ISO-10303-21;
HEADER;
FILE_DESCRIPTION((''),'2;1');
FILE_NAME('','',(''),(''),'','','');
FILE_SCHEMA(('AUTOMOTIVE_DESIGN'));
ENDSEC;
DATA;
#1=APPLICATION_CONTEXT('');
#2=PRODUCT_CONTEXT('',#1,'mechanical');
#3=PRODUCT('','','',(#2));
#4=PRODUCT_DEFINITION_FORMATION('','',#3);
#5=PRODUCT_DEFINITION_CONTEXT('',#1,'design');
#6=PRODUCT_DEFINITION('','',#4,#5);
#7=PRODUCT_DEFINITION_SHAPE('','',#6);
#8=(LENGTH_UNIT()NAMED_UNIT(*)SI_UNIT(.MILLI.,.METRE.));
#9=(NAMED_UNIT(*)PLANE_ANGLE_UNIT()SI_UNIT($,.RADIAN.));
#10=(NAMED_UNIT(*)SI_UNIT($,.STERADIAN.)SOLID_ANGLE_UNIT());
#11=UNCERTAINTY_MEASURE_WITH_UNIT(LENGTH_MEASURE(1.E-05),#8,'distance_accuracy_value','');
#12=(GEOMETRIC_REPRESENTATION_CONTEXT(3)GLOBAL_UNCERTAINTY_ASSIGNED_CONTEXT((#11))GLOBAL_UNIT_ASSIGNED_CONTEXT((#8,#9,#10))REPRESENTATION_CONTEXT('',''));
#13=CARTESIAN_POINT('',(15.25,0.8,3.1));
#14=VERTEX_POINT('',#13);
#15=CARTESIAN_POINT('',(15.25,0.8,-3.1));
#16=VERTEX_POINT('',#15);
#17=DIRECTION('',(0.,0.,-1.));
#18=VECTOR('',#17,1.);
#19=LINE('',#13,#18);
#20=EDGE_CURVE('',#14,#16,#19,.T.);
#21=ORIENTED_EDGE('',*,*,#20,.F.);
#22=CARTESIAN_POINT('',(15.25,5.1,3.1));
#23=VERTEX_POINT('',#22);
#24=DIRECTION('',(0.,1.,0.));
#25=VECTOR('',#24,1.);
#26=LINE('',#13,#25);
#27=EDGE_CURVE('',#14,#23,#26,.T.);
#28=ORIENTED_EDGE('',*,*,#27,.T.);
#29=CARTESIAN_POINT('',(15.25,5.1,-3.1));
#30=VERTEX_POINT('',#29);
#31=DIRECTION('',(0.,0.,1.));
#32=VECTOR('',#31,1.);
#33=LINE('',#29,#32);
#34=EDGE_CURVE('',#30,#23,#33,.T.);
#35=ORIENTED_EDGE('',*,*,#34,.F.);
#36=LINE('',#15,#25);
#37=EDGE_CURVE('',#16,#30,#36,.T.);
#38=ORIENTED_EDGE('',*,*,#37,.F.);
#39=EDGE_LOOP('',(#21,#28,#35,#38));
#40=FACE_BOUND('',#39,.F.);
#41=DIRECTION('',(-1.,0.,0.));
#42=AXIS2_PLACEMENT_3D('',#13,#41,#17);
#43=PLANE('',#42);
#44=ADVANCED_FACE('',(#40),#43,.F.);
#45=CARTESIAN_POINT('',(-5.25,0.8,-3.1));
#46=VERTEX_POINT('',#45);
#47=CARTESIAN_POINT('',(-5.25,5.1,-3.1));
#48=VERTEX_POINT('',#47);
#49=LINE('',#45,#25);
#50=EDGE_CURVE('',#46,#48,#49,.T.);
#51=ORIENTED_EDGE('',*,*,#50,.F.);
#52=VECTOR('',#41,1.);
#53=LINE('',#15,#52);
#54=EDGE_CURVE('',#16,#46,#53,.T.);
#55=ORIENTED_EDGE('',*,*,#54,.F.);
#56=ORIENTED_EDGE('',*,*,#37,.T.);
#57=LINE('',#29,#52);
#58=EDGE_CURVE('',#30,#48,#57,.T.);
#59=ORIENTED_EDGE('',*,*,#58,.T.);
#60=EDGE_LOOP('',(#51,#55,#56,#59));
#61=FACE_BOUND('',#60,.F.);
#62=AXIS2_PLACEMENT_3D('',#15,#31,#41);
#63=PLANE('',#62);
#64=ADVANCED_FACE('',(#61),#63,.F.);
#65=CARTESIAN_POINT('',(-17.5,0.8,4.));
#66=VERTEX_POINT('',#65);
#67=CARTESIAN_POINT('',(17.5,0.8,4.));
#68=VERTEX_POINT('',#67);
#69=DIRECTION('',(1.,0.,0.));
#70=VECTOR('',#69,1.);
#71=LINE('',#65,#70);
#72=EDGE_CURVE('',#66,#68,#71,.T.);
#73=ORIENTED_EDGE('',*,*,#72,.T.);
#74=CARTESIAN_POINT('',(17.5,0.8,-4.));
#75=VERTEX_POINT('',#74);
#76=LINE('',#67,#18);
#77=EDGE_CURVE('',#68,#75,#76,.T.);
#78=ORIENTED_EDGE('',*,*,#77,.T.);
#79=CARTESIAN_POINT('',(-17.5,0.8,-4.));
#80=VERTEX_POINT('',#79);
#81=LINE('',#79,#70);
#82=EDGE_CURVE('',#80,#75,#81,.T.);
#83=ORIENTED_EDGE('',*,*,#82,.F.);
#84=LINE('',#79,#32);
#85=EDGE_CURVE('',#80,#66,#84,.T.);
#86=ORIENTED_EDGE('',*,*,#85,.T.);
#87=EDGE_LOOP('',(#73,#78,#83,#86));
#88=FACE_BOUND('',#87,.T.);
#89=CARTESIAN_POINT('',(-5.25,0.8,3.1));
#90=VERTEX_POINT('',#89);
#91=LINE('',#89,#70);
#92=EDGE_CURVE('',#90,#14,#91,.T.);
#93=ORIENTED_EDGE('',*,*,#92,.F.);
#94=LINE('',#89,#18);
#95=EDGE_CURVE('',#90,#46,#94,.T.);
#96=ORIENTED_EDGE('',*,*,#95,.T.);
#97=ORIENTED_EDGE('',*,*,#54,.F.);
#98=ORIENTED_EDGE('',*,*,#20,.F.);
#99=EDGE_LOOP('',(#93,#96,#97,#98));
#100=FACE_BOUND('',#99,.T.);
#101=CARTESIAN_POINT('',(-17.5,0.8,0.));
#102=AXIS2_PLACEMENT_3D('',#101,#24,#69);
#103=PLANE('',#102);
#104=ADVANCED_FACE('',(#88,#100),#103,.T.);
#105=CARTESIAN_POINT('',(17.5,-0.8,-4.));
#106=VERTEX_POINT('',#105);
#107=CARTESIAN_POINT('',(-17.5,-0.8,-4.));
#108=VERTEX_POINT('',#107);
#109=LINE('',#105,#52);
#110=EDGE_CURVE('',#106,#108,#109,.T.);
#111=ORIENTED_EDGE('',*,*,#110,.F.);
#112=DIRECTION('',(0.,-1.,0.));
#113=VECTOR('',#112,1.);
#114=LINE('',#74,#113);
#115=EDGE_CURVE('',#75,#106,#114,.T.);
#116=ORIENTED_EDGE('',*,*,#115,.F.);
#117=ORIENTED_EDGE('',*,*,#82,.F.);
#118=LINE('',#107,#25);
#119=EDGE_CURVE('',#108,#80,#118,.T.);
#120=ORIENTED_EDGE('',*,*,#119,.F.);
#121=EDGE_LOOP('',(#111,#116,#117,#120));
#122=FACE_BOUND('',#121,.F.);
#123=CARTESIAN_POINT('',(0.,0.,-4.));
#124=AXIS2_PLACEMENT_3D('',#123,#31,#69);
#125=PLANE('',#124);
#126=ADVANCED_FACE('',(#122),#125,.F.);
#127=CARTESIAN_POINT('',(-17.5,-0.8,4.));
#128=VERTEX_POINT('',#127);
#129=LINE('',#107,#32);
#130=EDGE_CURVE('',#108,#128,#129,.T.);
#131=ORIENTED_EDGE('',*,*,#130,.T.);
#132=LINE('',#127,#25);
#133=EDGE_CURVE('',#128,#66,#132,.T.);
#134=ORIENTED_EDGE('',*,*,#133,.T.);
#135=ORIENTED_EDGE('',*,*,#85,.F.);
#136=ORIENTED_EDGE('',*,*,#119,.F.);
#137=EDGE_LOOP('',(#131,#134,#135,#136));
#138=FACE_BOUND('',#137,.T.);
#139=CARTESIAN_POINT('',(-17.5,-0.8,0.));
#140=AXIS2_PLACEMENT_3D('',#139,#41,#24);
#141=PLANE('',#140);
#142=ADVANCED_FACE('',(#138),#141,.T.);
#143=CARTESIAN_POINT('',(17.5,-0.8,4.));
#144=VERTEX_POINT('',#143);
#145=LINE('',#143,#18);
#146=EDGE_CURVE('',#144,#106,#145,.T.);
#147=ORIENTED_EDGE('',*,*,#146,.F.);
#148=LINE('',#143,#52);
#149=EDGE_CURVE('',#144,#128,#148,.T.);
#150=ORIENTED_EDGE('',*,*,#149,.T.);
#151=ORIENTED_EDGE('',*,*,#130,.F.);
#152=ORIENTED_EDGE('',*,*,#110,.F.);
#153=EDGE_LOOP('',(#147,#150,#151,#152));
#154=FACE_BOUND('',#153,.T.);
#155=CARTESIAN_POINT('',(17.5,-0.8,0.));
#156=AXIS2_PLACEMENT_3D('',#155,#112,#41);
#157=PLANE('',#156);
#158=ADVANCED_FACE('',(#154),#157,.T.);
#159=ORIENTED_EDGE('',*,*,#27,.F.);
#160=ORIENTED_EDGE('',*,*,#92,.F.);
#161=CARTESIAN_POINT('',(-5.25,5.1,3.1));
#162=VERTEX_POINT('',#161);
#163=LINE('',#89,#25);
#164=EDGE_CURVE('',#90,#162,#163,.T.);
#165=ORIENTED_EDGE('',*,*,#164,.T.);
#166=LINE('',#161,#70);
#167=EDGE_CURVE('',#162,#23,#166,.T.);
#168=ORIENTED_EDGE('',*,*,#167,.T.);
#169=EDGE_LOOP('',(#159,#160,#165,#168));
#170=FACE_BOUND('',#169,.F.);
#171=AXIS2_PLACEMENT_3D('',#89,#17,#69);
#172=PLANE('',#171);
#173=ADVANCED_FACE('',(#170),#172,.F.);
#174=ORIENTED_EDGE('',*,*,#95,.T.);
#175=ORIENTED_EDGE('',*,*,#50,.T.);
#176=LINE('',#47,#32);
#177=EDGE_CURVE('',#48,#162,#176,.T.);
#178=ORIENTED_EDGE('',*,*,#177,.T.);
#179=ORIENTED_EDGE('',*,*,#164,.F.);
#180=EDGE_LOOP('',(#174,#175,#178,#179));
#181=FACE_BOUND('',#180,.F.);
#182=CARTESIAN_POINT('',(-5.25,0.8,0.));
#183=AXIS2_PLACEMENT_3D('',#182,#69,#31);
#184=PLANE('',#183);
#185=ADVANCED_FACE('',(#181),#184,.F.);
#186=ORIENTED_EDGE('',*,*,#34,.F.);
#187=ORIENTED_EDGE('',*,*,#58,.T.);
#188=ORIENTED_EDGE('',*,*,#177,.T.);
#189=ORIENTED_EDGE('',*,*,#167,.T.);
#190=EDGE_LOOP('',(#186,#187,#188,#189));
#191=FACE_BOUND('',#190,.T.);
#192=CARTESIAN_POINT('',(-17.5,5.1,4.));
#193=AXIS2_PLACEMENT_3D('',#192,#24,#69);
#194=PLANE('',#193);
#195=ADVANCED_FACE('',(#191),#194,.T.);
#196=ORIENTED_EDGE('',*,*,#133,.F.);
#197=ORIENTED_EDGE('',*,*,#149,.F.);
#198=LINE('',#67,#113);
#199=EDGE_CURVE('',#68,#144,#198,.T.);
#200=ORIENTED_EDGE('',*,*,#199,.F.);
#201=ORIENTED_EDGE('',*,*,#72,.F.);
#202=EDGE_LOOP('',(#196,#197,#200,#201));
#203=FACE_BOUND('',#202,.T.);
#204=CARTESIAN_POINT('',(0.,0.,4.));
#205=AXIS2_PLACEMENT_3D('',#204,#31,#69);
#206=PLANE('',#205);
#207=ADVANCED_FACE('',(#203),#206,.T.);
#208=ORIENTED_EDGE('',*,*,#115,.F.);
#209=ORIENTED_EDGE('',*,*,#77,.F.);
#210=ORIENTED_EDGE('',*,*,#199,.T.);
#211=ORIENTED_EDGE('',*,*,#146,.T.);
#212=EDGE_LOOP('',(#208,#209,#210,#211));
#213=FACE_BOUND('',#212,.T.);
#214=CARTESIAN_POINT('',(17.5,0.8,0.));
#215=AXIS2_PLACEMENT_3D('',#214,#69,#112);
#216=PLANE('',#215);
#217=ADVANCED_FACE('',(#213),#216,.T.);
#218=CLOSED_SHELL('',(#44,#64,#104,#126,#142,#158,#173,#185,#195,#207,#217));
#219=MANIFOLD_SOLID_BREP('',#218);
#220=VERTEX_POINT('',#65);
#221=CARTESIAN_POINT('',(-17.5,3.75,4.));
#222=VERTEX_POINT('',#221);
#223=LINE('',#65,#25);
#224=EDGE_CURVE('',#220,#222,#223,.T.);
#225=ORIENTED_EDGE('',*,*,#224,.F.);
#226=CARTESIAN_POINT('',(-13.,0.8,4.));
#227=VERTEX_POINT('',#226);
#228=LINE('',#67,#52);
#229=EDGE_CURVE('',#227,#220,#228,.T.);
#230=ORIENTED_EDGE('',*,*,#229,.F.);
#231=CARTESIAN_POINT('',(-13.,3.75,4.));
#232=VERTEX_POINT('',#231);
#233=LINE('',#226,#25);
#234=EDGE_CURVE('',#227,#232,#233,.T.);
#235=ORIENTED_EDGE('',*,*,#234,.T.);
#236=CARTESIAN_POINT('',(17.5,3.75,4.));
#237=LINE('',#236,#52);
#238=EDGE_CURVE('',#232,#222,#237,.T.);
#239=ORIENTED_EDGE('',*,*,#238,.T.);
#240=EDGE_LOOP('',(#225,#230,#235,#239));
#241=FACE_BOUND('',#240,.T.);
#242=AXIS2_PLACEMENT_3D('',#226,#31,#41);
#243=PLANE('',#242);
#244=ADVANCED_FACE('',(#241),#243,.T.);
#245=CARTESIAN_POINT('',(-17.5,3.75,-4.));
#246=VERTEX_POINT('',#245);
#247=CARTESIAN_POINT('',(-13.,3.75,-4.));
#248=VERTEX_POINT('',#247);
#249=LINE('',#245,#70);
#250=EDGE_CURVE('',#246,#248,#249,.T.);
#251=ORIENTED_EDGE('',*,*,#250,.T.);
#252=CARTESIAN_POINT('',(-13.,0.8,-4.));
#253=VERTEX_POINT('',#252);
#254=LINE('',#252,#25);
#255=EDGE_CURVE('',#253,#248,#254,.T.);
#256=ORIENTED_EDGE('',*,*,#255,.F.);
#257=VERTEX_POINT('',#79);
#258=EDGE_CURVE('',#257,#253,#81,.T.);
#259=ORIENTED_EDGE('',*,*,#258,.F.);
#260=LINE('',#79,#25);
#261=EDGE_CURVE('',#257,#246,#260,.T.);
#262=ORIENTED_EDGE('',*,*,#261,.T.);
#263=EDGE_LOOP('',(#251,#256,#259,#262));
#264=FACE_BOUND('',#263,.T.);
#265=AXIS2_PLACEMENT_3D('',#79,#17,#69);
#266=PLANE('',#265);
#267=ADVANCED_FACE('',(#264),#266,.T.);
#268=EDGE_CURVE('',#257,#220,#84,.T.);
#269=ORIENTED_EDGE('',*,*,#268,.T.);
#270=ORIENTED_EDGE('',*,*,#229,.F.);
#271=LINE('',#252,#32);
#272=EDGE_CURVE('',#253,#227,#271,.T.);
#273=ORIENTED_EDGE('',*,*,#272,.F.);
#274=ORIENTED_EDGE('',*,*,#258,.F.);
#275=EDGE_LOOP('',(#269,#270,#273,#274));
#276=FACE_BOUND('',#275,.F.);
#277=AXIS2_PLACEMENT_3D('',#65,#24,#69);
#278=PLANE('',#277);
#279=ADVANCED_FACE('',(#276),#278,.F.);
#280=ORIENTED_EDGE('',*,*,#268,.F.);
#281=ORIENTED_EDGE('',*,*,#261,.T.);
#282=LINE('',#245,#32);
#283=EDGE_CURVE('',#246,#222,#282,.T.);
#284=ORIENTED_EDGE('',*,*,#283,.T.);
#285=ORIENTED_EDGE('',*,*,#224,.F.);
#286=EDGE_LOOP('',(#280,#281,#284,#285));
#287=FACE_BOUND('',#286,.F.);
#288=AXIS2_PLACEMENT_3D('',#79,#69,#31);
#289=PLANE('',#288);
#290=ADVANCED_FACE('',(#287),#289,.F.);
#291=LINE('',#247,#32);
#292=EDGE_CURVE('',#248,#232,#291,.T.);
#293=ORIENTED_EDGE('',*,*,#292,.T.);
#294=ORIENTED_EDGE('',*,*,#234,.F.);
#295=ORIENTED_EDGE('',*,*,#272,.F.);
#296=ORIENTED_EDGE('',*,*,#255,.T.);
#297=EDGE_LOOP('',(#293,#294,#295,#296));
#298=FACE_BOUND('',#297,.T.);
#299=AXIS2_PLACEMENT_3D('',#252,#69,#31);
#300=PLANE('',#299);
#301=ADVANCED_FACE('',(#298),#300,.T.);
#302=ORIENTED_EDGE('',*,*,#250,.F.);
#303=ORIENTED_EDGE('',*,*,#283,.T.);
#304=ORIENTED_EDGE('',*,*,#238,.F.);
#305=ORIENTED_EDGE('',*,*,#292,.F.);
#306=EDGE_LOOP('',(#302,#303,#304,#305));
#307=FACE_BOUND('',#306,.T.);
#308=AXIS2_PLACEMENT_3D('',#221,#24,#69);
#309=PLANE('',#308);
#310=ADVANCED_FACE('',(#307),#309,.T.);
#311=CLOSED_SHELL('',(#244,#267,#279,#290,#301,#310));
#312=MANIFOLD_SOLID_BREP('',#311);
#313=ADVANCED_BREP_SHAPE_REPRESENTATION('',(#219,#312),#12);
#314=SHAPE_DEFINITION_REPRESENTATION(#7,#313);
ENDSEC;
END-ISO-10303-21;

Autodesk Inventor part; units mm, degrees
ref_plane "YZ Plane" through (0, 0, 0) normal (1, 0, 0) x (0, 1, 0)
ref_plane "XZ Plane" through (0, 0, 0) normal (0, 1, 0) x (-1, 0, 0)
ref_plane "XY Plane" through (0, 0, 0) normal (0, 0, 1) x (1, 0, 0)
sketch "Sketch4" plane through (0, 0, 0) normal (0, 0, 1) x (1, 0, 0)
  line L0 (-17.5, 0.8) -> (17.5, 0.8)
  line L1 (17.5, 0.8) -> (17.5, -0.8)
  line L2 (17.5, -0.8) -> (-17.5, -0.8)
  line L3 (-17.5, -0.8) -> (-17.5, 0.8)
  line L4 (-17.5, 0.8) -> (17.5, -0.8) construction
  line L5 (17.5, 0.8) -> (-17.5, -0.8) construction
  point P0 (0, 0)
  dimension "d4" = 35
  dimension "d5" = 1.6
extrude "Extrusion2" add sketch "Sketch4" along normal mid plane 8
sketch "Sketch5" plane through (-17.5, 0.8, 4) normal (0, 1, 0) x (1, 0, 0)
  line L0 (35, 8) -> (35, 0) projected
  line L1 (35, 4) -> (32.75, 4)
  line L2 (32.75, 4) -> (12.25, 4)
  line L3 (12.25, 0.9) -> (32.75, 0.9)
  line L4 (32.75, 0.9) -> (32.75, 7.1)
  line L5 (32.75, 7.1) -> (12.25, 7.1)
  line L6 (12.25, 7.1) -> (12.25, 0.9)
  line L7 (12.25, 0.9) -> (32.75, 7.1) construction
  line L8 (32.75, 0.9) -> (12.25, 7.1) construction
  point P0 (17.5, 4)
  point P1 (22.5, 4)
  dimension "d8" = 2.25
  dimension "d9" = 20.5
  dimension "d10" = 20.5
  dimension "d11" = 6.2
extrude "Extrusion3" add sketch "Sketch5" along normal blind 4.3
sketch "Sketch6" plane through (-17.5, 0.8, 4) normal (0, 1, 0) x (1, 0, 0)
  line L0 (32.75, 0.9) -> (12.25, 0.9) projected
  line L1 (12.25, 0.9) -> (12.25, 7.1) projected
  line L2 (12.25, 7.1) -> (32.75, 7.1) projected
  line L3 (32.75, 7.1) -> (32.75, 0.9) projected
  line L4 (0, 8) -> (0, 0) projected
  line L5 (35, 0) -> (0, 0) projected
  line L6 (35, 0) -> (35, 8) projected
  line L7 (0, 8) -> (35, 8) projected
  line L8 (0, 8) -> (0, 0) projected
  line L9 (0, 0) -> (0, 8)
  line L10 (0, 8) -> (4.5, 8)
  line L11 (4.5, 8) -> (4.5, 0)
  line L12 (4.5, 0) -> (0, 0)
  point P0 (17.5, 4)
  dimension "d14" = 4.5
extrude "Extrusion4" add sketch "Sketch6" along normal blind 2.95 separate body contours L7 L11 L5 L4
properties part number "GPS"
